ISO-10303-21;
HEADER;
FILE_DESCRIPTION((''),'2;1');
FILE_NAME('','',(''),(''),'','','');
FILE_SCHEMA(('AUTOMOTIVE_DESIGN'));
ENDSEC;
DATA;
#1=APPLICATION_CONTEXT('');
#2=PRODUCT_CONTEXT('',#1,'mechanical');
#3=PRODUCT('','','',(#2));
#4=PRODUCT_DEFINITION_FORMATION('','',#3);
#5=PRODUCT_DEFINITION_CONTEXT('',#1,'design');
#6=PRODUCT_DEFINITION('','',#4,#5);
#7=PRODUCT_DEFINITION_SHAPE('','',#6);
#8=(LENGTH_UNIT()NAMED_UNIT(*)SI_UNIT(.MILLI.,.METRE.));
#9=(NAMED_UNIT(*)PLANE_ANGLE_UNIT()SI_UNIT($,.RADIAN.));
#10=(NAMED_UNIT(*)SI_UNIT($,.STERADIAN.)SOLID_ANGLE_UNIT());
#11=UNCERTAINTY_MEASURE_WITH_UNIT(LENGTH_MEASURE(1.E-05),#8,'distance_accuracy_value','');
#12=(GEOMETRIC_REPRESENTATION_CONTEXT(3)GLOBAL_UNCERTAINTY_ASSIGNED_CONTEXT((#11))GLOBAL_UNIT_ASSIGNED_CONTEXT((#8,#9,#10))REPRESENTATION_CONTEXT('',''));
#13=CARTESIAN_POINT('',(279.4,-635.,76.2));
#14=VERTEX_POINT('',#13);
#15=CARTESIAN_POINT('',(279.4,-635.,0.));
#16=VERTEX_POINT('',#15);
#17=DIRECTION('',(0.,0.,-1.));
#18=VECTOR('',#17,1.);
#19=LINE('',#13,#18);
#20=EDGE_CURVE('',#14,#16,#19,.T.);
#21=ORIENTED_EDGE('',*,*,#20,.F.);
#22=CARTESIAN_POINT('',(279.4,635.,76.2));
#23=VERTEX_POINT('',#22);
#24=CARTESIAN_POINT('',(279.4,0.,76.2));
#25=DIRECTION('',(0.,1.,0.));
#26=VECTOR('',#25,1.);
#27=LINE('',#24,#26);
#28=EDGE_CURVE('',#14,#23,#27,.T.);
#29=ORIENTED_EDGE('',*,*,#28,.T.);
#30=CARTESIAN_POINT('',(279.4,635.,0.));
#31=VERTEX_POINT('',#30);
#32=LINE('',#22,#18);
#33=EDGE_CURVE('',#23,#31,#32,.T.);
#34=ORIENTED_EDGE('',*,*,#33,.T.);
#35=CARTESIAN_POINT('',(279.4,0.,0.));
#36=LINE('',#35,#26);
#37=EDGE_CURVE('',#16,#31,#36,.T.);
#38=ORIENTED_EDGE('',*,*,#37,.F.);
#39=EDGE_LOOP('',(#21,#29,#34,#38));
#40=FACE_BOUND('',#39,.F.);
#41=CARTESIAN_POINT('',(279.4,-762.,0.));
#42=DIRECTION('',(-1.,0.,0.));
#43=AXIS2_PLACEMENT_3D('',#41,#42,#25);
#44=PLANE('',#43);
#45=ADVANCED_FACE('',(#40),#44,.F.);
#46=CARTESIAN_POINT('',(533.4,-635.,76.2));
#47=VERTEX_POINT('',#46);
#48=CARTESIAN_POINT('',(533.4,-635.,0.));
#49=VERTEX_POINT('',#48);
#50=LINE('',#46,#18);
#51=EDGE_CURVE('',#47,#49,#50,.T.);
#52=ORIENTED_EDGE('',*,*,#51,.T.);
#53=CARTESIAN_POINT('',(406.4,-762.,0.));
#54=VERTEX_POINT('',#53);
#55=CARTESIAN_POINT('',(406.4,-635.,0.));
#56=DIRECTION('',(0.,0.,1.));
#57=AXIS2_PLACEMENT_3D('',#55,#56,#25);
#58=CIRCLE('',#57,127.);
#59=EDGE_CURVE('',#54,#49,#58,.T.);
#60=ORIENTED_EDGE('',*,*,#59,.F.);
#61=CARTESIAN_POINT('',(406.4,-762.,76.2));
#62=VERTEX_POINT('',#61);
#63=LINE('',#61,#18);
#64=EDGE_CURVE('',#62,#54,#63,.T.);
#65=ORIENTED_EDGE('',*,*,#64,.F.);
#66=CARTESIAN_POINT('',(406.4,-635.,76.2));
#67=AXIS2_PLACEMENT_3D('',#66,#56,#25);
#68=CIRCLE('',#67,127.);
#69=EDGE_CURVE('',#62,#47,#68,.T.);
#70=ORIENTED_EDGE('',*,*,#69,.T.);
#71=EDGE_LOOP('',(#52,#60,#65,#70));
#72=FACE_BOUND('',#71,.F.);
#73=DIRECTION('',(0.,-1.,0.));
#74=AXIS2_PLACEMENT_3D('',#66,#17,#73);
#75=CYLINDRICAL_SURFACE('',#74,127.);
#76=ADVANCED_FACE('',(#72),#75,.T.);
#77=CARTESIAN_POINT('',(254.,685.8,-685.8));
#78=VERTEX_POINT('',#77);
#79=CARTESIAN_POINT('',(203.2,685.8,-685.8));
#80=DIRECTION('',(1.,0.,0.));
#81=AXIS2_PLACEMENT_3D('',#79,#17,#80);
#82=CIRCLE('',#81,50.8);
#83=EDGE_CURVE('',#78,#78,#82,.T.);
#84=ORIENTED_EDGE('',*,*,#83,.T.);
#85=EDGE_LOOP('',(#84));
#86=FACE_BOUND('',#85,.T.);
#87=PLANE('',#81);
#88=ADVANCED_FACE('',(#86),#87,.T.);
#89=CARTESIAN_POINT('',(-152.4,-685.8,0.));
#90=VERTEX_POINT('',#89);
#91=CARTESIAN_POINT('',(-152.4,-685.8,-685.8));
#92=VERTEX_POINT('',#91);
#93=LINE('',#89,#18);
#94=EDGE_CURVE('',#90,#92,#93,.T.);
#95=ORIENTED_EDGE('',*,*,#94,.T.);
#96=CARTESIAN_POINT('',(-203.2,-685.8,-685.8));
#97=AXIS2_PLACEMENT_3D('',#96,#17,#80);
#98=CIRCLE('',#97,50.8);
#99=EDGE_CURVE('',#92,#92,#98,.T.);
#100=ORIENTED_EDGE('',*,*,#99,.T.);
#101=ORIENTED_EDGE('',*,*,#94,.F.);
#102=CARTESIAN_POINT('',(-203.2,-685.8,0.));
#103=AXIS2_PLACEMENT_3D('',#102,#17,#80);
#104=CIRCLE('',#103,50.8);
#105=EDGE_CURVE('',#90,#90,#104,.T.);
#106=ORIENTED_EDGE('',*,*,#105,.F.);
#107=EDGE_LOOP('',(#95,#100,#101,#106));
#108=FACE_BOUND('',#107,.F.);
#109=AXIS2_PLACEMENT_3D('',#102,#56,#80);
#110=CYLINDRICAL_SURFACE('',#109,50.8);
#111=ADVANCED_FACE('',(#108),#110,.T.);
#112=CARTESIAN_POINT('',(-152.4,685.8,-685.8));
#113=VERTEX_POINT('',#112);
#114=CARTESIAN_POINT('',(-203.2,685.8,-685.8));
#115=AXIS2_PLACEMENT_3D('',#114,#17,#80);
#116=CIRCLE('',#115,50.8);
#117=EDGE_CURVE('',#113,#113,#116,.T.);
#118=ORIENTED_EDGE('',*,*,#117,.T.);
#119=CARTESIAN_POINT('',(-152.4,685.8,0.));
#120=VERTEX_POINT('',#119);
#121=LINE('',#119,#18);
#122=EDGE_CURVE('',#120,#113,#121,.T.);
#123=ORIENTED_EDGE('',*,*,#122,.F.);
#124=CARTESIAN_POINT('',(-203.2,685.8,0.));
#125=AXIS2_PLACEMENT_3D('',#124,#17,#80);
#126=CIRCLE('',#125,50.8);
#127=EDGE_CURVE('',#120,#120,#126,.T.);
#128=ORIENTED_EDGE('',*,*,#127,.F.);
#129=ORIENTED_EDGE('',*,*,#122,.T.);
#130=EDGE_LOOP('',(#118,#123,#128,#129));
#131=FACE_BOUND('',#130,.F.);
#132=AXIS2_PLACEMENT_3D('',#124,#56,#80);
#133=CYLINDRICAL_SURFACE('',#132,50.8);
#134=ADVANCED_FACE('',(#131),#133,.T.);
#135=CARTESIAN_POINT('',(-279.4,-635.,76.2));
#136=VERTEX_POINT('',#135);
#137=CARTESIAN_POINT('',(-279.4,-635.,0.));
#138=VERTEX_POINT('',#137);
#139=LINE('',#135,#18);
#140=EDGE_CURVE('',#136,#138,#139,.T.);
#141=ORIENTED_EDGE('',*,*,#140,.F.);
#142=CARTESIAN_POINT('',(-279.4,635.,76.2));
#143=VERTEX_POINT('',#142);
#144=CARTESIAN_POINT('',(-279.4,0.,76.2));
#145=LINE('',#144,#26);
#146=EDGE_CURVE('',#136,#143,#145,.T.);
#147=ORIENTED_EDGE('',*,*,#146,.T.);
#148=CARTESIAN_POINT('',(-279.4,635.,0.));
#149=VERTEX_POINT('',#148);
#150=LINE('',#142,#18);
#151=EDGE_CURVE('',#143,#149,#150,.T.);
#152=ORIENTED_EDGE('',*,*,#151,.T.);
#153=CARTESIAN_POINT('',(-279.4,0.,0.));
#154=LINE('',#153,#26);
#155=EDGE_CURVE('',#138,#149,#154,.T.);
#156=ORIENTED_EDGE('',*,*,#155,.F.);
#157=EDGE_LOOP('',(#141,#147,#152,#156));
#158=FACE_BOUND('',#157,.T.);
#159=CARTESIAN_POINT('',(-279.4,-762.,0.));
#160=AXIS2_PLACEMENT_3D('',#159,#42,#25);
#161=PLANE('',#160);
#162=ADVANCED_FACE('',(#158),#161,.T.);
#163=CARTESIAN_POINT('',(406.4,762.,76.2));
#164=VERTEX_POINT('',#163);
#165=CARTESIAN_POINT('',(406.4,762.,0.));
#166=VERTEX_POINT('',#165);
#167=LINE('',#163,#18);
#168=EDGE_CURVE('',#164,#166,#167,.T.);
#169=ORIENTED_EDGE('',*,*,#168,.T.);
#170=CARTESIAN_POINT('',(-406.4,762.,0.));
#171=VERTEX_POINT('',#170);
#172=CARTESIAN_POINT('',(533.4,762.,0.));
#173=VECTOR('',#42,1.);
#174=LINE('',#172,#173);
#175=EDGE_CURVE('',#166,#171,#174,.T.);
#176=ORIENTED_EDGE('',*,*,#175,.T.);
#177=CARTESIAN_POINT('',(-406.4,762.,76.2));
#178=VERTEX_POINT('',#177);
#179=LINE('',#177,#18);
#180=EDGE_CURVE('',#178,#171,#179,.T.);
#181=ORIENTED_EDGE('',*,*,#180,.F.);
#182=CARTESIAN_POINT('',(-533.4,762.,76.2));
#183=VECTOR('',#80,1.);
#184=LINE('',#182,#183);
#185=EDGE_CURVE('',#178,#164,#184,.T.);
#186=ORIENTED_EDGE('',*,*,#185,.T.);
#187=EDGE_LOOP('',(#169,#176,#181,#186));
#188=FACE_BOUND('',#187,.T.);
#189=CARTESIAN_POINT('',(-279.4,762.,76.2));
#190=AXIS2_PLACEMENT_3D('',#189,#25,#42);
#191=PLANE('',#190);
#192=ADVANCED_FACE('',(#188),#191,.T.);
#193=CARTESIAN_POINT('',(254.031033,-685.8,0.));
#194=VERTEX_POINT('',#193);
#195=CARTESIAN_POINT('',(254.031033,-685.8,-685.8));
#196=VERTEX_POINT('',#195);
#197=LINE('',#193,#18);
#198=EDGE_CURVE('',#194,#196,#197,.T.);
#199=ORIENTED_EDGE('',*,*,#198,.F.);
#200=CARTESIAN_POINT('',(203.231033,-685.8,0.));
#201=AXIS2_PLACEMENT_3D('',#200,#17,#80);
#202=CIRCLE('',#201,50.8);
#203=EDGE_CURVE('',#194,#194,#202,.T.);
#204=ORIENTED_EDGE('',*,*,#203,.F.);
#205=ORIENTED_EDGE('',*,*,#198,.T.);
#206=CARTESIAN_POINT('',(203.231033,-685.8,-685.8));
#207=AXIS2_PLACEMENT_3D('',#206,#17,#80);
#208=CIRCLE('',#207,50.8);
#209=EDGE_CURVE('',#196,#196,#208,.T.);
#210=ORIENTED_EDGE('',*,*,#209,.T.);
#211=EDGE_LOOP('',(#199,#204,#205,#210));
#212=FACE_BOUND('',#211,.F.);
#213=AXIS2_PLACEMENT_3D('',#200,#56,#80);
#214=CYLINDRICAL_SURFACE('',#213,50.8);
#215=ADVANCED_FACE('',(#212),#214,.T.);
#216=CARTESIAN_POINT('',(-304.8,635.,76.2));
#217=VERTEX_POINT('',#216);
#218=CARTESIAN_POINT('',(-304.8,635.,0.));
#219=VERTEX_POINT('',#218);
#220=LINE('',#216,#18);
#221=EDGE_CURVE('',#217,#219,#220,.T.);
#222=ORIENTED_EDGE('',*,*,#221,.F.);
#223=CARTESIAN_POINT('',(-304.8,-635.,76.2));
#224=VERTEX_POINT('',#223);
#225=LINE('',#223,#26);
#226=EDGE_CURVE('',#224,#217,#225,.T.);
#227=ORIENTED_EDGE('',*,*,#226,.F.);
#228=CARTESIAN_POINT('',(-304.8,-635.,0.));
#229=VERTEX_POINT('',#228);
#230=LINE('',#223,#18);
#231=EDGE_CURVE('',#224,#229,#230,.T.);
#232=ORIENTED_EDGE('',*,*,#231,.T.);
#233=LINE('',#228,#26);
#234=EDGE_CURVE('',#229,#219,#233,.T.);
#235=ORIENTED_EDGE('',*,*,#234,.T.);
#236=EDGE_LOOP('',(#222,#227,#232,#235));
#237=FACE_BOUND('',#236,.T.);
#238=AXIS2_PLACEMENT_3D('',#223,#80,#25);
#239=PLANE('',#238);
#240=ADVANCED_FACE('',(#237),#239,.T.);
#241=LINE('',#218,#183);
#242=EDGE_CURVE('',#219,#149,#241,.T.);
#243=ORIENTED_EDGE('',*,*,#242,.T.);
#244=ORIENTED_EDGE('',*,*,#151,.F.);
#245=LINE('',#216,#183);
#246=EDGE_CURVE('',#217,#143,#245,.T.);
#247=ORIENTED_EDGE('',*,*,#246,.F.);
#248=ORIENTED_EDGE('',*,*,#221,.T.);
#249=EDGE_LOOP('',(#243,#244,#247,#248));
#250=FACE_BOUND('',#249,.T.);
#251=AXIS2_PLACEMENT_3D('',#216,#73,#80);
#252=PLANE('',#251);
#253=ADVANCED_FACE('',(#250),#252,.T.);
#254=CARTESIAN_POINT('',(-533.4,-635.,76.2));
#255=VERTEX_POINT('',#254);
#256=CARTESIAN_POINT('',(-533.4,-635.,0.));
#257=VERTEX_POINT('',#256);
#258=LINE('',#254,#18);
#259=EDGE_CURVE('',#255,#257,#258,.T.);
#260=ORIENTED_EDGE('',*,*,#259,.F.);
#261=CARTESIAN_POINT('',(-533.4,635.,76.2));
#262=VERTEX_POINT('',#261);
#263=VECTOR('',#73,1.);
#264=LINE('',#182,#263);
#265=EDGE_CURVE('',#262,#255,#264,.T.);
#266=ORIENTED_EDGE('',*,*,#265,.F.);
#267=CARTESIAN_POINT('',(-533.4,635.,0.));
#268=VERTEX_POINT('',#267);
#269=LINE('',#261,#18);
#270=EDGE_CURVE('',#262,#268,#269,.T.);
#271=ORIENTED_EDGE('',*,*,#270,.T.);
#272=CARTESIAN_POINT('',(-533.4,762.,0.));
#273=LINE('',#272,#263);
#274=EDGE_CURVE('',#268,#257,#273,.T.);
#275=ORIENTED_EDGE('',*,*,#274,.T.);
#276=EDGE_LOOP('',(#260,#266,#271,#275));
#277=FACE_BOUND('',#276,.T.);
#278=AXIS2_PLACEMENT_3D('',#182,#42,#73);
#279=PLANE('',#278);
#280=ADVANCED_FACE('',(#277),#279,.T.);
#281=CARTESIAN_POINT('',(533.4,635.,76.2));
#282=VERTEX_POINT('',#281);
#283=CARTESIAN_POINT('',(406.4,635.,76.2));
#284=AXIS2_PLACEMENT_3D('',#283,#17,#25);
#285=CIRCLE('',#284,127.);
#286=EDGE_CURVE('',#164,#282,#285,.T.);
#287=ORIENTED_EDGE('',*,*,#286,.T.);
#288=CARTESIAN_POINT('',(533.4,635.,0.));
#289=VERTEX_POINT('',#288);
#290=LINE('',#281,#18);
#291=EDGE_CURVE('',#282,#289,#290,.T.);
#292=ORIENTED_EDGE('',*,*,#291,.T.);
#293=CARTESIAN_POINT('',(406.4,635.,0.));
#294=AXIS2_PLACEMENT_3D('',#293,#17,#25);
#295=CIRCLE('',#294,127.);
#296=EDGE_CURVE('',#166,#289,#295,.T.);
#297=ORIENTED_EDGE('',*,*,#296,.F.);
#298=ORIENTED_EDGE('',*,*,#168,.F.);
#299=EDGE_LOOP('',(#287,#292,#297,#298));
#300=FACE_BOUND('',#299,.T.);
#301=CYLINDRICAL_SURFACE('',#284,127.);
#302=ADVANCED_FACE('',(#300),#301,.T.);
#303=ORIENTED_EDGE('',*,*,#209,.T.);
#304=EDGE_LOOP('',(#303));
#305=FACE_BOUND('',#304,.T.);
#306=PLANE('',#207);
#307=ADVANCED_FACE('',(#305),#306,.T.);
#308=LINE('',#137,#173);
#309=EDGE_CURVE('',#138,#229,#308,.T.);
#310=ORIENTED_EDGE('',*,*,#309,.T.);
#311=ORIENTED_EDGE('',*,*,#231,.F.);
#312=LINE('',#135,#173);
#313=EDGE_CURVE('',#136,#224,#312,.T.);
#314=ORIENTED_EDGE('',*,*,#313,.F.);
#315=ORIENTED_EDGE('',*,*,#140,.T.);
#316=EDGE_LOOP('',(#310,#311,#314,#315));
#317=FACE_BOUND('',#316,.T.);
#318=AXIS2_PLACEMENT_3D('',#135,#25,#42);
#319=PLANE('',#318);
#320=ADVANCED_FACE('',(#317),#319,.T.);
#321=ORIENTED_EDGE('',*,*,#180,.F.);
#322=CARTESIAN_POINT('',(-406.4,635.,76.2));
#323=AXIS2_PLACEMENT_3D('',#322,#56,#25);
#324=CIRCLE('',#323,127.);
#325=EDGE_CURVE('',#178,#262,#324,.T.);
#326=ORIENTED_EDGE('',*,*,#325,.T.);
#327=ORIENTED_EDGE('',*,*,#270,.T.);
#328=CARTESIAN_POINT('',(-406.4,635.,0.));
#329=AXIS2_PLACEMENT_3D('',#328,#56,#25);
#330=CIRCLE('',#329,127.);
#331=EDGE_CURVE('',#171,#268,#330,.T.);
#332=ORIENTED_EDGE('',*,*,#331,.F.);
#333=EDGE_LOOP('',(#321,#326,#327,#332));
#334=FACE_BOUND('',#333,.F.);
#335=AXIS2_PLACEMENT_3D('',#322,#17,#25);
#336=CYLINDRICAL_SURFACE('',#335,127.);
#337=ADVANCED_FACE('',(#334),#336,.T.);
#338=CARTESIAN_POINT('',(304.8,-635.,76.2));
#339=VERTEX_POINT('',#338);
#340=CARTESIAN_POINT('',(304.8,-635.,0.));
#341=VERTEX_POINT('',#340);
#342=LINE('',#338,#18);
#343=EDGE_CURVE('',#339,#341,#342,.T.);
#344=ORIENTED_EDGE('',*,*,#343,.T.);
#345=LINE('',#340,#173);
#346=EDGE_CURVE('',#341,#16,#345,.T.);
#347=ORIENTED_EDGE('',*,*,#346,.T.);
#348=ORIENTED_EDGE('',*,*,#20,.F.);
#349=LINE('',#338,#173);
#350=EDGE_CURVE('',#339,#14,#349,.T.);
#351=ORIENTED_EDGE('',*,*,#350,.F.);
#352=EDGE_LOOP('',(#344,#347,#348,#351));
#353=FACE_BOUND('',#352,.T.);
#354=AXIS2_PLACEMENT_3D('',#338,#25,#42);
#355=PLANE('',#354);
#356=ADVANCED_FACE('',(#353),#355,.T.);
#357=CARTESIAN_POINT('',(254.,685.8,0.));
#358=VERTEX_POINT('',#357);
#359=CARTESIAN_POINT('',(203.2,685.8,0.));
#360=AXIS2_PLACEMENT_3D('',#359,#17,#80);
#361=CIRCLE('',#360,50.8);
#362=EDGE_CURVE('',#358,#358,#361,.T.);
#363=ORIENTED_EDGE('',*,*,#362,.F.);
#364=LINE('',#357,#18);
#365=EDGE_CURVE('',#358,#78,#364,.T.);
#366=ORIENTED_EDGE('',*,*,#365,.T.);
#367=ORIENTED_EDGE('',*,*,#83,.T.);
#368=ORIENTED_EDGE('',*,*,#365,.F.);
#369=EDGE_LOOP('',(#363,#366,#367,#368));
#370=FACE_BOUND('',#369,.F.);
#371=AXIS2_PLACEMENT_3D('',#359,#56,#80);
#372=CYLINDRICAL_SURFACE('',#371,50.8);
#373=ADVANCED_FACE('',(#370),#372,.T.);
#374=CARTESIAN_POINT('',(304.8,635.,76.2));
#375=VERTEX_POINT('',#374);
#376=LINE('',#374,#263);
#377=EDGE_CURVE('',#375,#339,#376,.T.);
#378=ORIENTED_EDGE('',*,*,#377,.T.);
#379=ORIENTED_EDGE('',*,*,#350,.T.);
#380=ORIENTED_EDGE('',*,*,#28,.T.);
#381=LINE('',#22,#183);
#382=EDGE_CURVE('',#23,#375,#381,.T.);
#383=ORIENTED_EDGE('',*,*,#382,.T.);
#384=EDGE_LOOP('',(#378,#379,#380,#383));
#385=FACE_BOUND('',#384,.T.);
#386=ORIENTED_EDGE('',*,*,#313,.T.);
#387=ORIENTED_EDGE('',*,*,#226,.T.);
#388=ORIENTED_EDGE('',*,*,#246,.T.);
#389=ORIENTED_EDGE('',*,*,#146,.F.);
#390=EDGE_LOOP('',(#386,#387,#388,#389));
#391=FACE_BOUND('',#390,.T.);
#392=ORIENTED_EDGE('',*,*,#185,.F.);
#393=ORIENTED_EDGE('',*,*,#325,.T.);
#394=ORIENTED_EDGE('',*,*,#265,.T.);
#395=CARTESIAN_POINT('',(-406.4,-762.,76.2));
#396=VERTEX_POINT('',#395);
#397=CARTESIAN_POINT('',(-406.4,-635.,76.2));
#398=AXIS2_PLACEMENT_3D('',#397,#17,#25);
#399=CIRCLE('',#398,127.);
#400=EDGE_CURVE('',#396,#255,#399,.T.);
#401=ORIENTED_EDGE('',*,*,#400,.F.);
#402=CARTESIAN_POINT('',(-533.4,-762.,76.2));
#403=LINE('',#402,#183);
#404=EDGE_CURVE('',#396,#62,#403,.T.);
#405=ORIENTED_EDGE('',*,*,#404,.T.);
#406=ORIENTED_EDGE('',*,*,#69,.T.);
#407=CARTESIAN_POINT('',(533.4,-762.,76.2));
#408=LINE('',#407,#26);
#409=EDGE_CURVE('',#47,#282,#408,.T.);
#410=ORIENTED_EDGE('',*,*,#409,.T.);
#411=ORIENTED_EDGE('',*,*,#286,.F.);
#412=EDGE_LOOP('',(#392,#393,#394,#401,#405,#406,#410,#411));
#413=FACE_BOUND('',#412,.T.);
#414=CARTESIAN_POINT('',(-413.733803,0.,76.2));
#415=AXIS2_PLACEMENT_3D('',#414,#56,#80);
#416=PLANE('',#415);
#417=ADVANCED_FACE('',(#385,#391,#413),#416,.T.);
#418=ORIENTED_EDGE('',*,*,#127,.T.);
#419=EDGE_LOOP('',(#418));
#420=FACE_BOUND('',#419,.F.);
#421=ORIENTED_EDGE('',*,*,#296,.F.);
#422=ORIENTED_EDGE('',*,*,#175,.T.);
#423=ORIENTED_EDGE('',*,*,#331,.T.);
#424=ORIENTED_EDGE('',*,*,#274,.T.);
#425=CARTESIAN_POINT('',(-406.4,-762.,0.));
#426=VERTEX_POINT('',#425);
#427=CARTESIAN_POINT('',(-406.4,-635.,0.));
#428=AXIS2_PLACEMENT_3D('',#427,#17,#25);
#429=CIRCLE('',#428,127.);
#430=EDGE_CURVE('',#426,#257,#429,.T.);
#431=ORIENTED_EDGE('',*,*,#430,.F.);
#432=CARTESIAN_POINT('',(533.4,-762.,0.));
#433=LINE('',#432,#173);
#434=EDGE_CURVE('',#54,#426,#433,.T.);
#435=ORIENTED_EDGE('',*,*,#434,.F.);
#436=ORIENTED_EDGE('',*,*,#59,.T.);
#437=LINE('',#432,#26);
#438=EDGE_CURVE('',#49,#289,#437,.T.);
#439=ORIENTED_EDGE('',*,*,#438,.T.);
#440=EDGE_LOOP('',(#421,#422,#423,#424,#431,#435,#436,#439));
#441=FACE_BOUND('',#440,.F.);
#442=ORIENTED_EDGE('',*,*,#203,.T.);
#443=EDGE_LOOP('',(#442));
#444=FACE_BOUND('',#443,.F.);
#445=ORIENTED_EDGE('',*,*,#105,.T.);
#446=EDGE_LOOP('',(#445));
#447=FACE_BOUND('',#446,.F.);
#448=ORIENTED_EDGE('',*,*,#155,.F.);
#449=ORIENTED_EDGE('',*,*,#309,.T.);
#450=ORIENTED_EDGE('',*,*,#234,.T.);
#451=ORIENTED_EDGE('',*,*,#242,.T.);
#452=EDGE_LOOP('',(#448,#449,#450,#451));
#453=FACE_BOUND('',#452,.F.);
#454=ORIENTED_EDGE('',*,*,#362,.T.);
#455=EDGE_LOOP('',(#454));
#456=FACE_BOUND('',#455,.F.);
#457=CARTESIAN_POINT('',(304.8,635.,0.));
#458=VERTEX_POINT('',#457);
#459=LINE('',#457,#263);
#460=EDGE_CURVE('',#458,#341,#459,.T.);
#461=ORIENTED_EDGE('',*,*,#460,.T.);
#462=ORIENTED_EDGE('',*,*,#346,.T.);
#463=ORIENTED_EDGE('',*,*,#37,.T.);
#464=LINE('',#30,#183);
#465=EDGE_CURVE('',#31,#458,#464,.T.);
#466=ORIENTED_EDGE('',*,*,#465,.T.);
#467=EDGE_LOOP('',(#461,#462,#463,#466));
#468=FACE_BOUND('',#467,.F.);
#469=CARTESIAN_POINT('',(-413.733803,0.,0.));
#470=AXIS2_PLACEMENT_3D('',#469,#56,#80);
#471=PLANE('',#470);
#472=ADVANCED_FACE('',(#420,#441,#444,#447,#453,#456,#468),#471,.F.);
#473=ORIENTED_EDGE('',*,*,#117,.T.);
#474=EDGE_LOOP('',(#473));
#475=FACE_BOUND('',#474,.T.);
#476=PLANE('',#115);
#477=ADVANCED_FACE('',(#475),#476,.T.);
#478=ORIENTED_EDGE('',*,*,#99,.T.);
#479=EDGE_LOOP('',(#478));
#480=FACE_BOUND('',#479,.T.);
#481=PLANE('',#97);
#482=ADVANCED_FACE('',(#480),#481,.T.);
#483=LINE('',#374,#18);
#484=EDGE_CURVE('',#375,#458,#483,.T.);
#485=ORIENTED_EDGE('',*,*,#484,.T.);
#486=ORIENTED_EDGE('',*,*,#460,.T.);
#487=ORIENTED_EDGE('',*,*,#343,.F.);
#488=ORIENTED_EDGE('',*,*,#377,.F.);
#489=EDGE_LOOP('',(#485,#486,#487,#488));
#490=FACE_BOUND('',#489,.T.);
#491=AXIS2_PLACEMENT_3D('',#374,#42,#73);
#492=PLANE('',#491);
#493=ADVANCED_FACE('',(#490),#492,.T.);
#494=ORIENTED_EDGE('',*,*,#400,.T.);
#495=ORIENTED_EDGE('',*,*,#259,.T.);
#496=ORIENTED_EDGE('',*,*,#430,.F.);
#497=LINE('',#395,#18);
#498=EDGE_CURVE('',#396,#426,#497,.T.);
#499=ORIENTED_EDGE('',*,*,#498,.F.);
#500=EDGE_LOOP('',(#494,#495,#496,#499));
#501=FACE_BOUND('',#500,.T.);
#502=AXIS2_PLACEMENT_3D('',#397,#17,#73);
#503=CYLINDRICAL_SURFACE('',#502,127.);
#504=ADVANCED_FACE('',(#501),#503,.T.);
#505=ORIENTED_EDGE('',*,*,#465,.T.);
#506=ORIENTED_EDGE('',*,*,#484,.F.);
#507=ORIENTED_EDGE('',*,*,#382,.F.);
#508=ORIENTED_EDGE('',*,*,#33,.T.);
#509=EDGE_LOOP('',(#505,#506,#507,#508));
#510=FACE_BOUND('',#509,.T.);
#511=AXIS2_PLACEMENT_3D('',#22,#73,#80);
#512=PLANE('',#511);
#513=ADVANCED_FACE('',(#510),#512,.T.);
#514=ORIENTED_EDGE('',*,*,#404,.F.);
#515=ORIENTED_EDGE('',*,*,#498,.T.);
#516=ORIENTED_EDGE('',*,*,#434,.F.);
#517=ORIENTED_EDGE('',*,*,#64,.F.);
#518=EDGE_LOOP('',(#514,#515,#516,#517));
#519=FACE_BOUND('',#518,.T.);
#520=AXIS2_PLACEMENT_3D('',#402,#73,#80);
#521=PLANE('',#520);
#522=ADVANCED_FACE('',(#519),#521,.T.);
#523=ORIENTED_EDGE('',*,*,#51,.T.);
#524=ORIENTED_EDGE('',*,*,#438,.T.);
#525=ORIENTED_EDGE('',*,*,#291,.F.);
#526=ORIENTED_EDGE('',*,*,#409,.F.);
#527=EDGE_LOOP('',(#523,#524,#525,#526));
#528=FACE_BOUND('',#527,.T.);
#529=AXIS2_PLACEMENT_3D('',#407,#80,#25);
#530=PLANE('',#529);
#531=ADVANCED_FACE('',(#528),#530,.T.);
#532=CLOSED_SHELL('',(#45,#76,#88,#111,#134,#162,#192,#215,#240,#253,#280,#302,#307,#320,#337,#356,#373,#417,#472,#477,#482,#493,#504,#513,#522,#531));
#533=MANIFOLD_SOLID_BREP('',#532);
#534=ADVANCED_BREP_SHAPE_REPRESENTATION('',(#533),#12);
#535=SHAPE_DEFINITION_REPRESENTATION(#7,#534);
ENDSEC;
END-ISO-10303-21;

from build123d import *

# Parameters (mm, degrees)
F0_W     = 558.8
F0_H     = 1524
F1_DEPTH = 76.2
F2_R     = 50.8
F3_DEPTH = 685.8
F5_DEPTH = 76.2
F6_R     = 127


with BuildPart() as f1:
    # F0 (on Top) → F1 (new body)
    with BuildSketch(Plane.XY):
        Rectangle(F0_W, F0_H)
    extrude(amount=F1_DEPTH)

    # F2 (on face) → F3 (join)
    with BuildSketch(Plane(origin=(0, 0, 0), x_dir=(1, 0, 0), z_dir=(0, 0, -1))):
        with Locations((-203.2, -685.8)):
            Circle(F2_R)
        with Locations((203.2, -685.8)):
            Circle(F2_R)
        with Locations((203.231033, 685.8)):
            Circle(F2_R)
        with Locations((-203.2, 685.8)):
            Circle(F2_R)
    extrude(amount=F3_DEPTH)

    # F4 (on face) → F5 (join)
    with BuildSketch(Plane.XY.offset(76.2)):
        Polygon((-279.4, 635), (-279.4, 762), (-533.4, 762), (-533.4, -762), (-279.4, -762), (-279.4, -635), (-304.8, -635), (-304.8, 635), align=None)
        Polygon((533.4, 762), (279.4, 762), (279.4, 635), (304.8, 635), (304.8, -635), (279.4, -635), (279.4, -762), (533.4, -762), align=None)
    extrude(amount=-F5_DEPTH)

    # F6
    f6_edges = [f1.edges().sort_by_distance(p)[0] for p in [
        (-533.4, -762, 38.1),
        (533.4, -762, 38.1),
        (533.4, 762, 38.1),
        (-533.4, 762, 38.1),
    ]]
    fillet(f6_edges, radius=F6_R)


solid = f1.part
